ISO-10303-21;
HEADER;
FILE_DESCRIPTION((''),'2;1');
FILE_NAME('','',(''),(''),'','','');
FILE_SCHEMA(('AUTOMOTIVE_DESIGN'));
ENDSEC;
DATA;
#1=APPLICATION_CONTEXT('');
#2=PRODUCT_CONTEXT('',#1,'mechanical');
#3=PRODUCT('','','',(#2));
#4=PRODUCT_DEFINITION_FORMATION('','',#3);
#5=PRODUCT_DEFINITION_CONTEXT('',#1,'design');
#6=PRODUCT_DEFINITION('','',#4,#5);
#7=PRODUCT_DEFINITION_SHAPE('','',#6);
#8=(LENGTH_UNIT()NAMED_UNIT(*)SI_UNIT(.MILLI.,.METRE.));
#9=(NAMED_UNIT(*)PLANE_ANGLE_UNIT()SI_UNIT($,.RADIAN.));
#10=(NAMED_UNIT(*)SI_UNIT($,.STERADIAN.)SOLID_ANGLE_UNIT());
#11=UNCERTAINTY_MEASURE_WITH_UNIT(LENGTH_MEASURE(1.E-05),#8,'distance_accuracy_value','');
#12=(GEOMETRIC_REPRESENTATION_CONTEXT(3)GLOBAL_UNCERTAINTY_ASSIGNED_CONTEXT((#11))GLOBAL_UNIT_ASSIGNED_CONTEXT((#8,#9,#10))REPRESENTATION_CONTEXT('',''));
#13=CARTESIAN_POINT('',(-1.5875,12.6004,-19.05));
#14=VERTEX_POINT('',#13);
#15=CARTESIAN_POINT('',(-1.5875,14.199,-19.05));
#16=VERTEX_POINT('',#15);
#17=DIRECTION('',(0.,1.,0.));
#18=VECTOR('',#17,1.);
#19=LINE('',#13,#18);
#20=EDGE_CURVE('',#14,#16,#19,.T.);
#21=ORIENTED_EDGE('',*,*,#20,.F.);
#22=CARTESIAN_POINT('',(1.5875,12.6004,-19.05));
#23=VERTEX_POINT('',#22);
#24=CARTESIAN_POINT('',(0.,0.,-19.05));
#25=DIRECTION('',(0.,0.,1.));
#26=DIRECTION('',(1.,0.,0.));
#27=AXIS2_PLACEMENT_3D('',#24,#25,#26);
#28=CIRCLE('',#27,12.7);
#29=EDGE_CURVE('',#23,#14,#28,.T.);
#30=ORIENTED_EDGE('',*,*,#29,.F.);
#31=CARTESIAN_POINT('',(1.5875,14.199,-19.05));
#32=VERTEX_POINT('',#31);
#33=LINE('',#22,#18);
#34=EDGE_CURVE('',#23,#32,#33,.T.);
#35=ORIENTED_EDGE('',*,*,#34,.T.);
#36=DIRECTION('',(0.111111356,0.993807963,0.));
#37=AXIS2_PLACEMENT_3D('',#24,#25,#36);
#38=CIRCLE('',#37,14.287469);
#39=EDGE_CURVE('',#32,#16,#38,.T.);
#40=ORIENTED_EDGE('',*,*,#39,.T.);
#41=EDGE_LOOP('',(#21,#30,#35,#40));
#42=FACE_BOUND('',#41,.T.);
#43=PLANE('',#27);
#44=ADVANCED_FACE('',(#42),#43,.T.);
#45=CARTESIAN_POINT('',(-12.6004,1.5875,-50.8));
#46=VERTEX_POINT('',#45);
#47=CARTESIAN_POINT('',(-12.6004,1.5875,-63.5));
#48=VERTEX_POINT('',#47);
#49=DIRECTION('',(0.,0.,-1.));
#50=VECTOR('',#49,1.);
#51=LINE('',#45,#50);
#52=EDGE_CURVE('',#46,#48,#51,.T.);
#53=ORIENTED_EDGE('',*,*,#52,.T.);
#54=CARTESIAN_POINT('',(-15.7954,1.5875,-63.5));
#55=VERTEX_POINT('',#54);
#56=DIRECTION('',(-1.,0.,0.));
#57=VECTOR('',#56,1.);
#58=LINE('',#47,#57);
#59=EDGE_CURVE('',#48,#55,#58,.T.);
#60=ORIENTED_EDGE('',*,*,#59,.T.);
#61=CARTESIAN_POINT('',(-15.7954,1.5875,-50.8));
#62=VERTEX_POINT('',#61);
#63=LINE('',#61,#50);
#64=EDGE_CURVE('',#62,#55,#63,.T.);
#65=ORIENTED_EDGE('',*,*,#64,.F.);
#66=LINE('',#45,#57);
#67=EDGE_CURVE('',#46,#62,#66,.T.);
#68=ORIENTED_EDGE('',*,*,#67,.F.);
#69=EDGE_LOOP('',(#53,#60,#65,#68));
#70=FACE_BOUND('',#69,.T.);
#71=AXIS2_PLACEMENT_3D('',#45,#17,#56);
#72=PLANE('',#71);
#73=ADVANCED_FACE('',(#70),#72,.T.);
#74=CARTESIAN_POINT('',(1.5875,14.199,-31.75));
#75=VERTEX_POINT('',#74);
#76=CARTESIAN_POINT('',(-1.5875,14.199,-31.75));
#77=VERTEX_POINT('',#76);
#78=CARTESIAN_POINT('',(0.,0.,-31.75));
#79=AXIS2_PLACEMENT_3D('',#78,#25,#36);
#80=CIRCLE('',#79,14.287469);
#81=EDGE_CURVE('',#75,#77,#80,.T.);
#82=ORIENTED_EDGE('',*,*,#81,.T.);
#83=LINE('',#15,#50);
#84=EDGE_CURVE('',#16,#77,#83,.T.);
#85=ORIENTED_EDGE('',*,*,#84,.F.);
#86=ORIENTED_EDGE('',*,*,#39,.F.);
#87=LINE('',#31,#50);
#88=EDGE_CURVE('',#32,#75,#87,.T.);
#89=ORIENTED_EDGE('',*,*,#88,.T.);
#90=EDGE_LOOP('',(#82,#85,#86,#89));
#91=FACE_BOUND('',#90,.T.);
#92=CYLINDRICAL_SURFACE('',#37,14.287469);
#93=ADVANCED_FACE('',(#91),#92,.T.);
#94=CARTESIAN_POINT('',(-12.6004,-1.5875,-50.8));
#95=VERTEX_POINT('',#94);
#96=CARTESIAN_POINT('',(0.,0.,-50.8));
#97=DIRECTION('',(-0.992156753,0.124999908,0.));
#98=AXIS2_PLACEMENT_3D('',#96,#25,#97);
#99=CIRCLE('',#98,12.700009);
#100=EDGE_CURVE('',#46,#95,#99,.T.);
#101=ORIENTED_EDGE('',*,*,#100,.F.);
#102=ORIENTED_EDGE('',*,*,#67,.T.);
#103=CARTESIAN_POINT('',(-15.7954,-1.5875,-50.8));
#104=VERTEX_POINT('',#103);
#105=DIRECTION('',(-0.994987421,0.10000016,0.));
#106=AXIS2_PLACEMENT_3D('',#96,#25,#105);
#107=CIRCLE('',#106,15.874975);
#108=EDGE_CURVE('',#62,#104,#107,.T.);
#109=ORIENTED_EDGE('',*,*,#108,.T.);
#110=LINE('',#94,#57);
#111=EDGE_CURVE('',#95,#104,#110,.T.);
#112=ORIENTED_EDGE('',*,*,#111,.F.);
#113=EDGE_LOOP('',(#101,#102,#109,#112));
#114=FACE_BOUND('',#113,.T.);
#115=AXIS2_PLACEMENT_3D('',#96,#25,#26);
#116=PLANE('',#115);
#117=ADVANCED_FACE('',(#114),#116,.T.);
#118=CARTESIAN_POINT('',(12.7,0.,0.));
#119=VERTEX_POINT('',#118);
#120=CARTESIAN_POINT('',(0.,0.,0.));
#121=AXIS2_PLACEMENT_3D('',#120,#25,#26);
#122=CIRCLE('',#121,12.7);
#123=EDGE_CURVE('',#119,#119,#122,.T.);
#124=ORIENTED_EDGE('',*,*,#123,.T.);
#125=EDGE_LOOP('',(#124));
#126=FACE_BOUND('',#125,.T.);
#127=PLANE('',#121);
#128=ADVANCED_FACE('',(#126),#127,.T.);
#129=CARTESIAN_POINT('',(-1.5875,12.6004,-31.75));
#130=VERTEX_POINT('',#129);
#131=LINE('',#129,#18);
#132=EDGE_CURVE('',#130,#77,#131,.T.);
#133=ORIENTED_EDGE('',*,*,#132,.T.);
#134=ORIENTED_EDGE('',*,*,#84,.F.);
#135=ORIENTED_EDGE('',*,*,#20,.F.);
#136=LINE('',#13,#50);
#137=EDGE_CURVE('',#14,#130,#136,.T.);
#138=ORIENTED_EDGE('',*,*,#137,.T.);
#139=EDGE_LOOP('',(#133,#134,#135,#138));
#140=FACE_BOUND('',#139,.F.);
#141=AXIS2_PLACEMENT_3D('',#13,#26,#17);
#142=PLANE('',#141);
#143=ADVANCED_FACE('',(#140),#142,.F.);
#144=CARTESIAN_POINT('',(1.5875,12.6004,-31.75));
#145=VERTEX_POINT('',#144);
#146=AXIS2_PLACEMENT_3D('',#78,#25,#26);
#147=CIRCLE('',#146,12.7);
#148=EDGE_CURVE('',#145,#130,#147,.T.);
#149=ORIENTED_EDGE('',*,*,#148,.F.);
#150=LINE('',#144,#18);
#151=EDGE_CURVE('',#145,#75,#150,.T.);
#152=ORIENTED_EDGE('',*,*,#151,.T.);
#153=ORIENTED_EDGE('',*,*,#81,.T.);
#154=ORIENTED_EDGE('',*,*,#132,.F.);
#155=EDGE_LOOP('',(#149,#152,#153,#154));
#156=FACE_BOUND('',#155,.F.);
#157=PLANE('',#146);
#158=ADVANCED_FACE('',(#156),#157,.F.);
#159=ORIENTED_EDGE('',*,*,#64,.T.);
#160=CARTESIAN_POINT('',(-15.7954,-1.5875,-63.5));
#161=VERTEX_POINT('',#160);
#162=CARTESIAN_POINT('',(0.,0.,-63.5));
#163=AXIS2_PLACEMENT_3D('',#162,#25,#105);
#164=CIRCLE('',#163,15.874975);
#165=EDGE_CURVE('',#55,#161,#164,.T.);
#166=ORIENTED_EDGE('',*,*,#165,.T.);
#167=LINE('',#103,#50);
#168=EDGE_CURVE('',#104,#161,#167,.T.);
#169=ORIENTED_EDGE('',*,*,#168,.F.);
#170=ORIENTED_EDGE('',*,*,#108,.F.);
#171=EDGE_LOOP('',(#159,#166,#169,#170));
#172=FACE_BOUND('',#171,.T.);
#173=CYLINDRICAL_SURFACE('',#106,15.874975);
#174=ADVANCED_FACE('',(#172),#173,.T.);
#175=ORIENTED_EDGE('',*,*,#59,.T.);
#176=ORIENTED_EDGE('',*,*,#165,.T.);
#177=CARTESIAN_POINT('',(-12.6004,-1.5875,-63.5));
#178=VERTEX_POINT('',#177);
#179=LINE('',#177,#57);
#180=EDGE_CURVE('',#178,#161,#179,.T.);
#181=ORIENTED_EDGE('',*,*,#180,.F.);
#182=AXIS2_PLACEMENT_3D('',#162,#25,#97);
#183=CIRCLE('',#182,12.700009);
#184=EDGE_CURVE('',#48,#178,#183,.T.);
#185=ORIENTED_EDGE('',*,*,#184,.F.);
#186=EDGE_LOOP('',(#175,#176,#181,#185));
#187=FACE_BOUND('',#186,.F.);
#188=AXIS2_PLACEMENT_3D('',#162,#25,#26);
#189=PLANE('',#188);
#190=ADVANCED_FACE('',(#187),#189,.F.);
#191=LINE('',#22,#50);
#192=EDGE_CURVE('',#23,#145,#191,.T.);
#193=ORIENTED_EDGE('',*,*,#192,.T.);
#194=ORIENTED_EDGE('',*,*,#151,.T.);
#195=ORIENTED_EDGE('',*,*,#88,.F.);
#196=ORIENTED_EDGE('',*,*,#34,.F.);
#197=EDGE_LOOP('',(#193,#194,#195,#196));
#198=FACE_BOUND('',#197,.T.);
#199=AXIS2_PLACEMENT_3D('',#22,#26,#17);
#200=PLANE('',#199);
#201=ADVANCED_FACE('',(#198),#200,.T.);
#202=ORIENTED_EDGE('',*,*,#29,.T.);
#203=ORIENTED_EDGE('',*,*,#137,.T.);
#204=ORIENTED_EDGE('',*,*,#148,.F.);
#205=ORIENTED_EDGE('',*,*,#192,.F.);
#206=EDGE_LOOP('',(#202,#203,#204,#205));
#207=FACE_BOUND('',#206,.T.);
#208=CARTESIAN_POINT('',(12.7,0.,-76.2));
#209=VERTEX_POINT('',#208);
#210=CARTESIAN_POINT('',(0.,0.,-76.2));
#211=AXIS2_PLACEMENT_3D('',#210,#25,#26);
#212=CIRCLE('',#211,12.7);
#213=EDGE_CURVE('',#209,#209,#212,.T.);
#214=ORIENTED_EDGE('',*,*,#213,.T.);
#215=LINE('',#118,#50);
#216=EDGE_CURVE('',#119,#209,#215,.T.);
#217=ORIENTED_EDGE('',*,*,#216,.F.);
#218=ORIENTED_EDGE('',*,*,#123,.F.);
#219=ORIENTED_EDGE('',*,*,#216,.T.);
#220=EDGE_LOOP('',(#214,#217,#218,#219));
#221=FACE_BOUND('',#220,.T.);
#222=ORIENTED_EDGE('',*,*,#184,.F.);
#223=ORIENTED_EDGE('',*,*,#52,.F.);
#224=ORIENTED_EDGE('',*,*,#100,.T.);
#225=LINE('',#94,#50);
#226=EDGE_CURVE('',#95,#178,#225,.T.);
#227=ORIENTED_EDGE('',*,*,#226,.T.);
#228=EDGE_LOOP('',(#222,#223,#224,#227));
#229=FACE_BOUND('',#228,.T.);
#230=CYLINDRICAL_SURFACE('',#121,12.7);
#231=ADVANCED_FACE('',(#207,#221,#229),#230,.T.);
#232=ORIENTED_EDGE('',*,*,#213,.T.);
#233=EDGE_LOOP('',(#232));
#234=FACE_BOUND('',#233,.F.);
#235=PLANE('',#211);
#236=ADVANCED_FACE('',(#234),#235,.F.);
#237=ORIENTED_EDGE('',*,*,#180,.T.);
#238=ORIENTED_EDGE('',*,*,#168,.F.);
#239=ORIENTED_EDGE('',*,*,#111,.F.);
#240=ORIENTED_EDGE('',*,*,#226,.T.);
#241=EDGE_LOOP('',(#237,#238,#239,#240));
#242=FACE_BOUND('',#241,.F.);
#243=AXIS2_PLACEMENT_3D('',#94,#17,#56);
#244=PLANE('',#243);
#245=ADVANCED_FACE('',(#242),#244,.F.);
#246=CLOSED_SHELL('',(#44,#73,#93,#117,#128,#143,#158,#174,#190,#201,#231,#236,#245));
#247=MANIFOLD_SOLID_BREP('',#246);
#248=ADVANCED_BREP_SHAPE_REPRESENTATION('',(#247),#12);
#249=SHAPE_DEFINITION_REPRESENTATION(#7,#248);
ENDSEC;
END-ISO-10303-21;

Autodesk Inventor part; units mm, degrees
ref_plane "YZ Plane" through (0, 0, 0) normal (1, 0, 0) x (0, 1, 0)
ref_plane "XZ Plane" through (0, 0, 0) normal (0, 1, 0) x (-1, 0, 0)
ref_plane "XY Plane" through (0, 0, 0) normal (0, 0, 1) x (1, 0, 0)
sketch "Sketch1" plane through (0, 0, 0) normal (0, 0, 1) x (1, 0, 0)
  circle A0 centre (0, 0) radius 12.7
  dimension "d0" = 25.4
extrude "Extrusion1" add sketch "Sketch1" against normal blind 76.2
ref_plane "WorkPlaneForFirstKeys" through (0, 0, -19.05) normal (0, 0, 1) x (1, 0, 0)
sketch "Sketch3" plane through (0, 0, -19.05) normal (0, 0, 1) x (1, 0, 0)
  circle A0 centre (0, 0) radius 12.7 projected
  arc A1 (1.5875, 14.199) -> (-1.5875, 14.199) centre (0, 0) ccw
  arc A2 (1.5875, 12.6004) -> (-1.5875, 12.6004) centre (0, 0) ccw
  line L0 (-1.5875, 12.6004) -> (-1.5875, 14.199)
  line L1 (1.5875, 12.6004) -> (1.5875, 14.199)
  line L2 (0, 0) -> (0, 14.2875) construction
  point P0 (-1.5875, 12.6004)
  point P1 (1.5875, 12.6004)
  dimension "d4" = 28.575
  dimension "d6" = 1.5875
  dimension "d7" = 1.5875
extrude "Extrusion2" add sketch "Sketch3" against normal blind 12.7 contours A0 L0 A1 L1
ref_plane "WorkPlaneForSecondKeys" through (0, 0, -50.8) normal (0, 0, 1) x (1, 0, 0)
sketch "Sketch4" plane through (0, 0, -50.8) normal (0, 0, 1) x (1, 0, 0)
  arc A0 (-15.7954, 1.5875) -> (-15.7954, -1.5875) centre (0, 0) ccw
  arc A1 (-12.6004, 1.5875) -> (-12.6004, -1.5875) centre (0, 0) ccw
  line L0 (0, 0) -> (-15.875, 0) construction
  circle A2 centre (0, 0) radius 12.7 projected
  line L1 (-12.6004, -1.5875) -> (-15.7954, -1.5875)
  line L2 (-12.6004, 1.5875) -> (-15.7954, 1.5875)
  dimension "d11" = 31.75
  dimension "d12" = 1.5875
  dimension "d13" = 1.5875
extrude "Extrusion3" add sketch "Sketch4" against normal blind 12.7 contours L2 A1 L1 A0
properties part number "clutch03Shaft"
